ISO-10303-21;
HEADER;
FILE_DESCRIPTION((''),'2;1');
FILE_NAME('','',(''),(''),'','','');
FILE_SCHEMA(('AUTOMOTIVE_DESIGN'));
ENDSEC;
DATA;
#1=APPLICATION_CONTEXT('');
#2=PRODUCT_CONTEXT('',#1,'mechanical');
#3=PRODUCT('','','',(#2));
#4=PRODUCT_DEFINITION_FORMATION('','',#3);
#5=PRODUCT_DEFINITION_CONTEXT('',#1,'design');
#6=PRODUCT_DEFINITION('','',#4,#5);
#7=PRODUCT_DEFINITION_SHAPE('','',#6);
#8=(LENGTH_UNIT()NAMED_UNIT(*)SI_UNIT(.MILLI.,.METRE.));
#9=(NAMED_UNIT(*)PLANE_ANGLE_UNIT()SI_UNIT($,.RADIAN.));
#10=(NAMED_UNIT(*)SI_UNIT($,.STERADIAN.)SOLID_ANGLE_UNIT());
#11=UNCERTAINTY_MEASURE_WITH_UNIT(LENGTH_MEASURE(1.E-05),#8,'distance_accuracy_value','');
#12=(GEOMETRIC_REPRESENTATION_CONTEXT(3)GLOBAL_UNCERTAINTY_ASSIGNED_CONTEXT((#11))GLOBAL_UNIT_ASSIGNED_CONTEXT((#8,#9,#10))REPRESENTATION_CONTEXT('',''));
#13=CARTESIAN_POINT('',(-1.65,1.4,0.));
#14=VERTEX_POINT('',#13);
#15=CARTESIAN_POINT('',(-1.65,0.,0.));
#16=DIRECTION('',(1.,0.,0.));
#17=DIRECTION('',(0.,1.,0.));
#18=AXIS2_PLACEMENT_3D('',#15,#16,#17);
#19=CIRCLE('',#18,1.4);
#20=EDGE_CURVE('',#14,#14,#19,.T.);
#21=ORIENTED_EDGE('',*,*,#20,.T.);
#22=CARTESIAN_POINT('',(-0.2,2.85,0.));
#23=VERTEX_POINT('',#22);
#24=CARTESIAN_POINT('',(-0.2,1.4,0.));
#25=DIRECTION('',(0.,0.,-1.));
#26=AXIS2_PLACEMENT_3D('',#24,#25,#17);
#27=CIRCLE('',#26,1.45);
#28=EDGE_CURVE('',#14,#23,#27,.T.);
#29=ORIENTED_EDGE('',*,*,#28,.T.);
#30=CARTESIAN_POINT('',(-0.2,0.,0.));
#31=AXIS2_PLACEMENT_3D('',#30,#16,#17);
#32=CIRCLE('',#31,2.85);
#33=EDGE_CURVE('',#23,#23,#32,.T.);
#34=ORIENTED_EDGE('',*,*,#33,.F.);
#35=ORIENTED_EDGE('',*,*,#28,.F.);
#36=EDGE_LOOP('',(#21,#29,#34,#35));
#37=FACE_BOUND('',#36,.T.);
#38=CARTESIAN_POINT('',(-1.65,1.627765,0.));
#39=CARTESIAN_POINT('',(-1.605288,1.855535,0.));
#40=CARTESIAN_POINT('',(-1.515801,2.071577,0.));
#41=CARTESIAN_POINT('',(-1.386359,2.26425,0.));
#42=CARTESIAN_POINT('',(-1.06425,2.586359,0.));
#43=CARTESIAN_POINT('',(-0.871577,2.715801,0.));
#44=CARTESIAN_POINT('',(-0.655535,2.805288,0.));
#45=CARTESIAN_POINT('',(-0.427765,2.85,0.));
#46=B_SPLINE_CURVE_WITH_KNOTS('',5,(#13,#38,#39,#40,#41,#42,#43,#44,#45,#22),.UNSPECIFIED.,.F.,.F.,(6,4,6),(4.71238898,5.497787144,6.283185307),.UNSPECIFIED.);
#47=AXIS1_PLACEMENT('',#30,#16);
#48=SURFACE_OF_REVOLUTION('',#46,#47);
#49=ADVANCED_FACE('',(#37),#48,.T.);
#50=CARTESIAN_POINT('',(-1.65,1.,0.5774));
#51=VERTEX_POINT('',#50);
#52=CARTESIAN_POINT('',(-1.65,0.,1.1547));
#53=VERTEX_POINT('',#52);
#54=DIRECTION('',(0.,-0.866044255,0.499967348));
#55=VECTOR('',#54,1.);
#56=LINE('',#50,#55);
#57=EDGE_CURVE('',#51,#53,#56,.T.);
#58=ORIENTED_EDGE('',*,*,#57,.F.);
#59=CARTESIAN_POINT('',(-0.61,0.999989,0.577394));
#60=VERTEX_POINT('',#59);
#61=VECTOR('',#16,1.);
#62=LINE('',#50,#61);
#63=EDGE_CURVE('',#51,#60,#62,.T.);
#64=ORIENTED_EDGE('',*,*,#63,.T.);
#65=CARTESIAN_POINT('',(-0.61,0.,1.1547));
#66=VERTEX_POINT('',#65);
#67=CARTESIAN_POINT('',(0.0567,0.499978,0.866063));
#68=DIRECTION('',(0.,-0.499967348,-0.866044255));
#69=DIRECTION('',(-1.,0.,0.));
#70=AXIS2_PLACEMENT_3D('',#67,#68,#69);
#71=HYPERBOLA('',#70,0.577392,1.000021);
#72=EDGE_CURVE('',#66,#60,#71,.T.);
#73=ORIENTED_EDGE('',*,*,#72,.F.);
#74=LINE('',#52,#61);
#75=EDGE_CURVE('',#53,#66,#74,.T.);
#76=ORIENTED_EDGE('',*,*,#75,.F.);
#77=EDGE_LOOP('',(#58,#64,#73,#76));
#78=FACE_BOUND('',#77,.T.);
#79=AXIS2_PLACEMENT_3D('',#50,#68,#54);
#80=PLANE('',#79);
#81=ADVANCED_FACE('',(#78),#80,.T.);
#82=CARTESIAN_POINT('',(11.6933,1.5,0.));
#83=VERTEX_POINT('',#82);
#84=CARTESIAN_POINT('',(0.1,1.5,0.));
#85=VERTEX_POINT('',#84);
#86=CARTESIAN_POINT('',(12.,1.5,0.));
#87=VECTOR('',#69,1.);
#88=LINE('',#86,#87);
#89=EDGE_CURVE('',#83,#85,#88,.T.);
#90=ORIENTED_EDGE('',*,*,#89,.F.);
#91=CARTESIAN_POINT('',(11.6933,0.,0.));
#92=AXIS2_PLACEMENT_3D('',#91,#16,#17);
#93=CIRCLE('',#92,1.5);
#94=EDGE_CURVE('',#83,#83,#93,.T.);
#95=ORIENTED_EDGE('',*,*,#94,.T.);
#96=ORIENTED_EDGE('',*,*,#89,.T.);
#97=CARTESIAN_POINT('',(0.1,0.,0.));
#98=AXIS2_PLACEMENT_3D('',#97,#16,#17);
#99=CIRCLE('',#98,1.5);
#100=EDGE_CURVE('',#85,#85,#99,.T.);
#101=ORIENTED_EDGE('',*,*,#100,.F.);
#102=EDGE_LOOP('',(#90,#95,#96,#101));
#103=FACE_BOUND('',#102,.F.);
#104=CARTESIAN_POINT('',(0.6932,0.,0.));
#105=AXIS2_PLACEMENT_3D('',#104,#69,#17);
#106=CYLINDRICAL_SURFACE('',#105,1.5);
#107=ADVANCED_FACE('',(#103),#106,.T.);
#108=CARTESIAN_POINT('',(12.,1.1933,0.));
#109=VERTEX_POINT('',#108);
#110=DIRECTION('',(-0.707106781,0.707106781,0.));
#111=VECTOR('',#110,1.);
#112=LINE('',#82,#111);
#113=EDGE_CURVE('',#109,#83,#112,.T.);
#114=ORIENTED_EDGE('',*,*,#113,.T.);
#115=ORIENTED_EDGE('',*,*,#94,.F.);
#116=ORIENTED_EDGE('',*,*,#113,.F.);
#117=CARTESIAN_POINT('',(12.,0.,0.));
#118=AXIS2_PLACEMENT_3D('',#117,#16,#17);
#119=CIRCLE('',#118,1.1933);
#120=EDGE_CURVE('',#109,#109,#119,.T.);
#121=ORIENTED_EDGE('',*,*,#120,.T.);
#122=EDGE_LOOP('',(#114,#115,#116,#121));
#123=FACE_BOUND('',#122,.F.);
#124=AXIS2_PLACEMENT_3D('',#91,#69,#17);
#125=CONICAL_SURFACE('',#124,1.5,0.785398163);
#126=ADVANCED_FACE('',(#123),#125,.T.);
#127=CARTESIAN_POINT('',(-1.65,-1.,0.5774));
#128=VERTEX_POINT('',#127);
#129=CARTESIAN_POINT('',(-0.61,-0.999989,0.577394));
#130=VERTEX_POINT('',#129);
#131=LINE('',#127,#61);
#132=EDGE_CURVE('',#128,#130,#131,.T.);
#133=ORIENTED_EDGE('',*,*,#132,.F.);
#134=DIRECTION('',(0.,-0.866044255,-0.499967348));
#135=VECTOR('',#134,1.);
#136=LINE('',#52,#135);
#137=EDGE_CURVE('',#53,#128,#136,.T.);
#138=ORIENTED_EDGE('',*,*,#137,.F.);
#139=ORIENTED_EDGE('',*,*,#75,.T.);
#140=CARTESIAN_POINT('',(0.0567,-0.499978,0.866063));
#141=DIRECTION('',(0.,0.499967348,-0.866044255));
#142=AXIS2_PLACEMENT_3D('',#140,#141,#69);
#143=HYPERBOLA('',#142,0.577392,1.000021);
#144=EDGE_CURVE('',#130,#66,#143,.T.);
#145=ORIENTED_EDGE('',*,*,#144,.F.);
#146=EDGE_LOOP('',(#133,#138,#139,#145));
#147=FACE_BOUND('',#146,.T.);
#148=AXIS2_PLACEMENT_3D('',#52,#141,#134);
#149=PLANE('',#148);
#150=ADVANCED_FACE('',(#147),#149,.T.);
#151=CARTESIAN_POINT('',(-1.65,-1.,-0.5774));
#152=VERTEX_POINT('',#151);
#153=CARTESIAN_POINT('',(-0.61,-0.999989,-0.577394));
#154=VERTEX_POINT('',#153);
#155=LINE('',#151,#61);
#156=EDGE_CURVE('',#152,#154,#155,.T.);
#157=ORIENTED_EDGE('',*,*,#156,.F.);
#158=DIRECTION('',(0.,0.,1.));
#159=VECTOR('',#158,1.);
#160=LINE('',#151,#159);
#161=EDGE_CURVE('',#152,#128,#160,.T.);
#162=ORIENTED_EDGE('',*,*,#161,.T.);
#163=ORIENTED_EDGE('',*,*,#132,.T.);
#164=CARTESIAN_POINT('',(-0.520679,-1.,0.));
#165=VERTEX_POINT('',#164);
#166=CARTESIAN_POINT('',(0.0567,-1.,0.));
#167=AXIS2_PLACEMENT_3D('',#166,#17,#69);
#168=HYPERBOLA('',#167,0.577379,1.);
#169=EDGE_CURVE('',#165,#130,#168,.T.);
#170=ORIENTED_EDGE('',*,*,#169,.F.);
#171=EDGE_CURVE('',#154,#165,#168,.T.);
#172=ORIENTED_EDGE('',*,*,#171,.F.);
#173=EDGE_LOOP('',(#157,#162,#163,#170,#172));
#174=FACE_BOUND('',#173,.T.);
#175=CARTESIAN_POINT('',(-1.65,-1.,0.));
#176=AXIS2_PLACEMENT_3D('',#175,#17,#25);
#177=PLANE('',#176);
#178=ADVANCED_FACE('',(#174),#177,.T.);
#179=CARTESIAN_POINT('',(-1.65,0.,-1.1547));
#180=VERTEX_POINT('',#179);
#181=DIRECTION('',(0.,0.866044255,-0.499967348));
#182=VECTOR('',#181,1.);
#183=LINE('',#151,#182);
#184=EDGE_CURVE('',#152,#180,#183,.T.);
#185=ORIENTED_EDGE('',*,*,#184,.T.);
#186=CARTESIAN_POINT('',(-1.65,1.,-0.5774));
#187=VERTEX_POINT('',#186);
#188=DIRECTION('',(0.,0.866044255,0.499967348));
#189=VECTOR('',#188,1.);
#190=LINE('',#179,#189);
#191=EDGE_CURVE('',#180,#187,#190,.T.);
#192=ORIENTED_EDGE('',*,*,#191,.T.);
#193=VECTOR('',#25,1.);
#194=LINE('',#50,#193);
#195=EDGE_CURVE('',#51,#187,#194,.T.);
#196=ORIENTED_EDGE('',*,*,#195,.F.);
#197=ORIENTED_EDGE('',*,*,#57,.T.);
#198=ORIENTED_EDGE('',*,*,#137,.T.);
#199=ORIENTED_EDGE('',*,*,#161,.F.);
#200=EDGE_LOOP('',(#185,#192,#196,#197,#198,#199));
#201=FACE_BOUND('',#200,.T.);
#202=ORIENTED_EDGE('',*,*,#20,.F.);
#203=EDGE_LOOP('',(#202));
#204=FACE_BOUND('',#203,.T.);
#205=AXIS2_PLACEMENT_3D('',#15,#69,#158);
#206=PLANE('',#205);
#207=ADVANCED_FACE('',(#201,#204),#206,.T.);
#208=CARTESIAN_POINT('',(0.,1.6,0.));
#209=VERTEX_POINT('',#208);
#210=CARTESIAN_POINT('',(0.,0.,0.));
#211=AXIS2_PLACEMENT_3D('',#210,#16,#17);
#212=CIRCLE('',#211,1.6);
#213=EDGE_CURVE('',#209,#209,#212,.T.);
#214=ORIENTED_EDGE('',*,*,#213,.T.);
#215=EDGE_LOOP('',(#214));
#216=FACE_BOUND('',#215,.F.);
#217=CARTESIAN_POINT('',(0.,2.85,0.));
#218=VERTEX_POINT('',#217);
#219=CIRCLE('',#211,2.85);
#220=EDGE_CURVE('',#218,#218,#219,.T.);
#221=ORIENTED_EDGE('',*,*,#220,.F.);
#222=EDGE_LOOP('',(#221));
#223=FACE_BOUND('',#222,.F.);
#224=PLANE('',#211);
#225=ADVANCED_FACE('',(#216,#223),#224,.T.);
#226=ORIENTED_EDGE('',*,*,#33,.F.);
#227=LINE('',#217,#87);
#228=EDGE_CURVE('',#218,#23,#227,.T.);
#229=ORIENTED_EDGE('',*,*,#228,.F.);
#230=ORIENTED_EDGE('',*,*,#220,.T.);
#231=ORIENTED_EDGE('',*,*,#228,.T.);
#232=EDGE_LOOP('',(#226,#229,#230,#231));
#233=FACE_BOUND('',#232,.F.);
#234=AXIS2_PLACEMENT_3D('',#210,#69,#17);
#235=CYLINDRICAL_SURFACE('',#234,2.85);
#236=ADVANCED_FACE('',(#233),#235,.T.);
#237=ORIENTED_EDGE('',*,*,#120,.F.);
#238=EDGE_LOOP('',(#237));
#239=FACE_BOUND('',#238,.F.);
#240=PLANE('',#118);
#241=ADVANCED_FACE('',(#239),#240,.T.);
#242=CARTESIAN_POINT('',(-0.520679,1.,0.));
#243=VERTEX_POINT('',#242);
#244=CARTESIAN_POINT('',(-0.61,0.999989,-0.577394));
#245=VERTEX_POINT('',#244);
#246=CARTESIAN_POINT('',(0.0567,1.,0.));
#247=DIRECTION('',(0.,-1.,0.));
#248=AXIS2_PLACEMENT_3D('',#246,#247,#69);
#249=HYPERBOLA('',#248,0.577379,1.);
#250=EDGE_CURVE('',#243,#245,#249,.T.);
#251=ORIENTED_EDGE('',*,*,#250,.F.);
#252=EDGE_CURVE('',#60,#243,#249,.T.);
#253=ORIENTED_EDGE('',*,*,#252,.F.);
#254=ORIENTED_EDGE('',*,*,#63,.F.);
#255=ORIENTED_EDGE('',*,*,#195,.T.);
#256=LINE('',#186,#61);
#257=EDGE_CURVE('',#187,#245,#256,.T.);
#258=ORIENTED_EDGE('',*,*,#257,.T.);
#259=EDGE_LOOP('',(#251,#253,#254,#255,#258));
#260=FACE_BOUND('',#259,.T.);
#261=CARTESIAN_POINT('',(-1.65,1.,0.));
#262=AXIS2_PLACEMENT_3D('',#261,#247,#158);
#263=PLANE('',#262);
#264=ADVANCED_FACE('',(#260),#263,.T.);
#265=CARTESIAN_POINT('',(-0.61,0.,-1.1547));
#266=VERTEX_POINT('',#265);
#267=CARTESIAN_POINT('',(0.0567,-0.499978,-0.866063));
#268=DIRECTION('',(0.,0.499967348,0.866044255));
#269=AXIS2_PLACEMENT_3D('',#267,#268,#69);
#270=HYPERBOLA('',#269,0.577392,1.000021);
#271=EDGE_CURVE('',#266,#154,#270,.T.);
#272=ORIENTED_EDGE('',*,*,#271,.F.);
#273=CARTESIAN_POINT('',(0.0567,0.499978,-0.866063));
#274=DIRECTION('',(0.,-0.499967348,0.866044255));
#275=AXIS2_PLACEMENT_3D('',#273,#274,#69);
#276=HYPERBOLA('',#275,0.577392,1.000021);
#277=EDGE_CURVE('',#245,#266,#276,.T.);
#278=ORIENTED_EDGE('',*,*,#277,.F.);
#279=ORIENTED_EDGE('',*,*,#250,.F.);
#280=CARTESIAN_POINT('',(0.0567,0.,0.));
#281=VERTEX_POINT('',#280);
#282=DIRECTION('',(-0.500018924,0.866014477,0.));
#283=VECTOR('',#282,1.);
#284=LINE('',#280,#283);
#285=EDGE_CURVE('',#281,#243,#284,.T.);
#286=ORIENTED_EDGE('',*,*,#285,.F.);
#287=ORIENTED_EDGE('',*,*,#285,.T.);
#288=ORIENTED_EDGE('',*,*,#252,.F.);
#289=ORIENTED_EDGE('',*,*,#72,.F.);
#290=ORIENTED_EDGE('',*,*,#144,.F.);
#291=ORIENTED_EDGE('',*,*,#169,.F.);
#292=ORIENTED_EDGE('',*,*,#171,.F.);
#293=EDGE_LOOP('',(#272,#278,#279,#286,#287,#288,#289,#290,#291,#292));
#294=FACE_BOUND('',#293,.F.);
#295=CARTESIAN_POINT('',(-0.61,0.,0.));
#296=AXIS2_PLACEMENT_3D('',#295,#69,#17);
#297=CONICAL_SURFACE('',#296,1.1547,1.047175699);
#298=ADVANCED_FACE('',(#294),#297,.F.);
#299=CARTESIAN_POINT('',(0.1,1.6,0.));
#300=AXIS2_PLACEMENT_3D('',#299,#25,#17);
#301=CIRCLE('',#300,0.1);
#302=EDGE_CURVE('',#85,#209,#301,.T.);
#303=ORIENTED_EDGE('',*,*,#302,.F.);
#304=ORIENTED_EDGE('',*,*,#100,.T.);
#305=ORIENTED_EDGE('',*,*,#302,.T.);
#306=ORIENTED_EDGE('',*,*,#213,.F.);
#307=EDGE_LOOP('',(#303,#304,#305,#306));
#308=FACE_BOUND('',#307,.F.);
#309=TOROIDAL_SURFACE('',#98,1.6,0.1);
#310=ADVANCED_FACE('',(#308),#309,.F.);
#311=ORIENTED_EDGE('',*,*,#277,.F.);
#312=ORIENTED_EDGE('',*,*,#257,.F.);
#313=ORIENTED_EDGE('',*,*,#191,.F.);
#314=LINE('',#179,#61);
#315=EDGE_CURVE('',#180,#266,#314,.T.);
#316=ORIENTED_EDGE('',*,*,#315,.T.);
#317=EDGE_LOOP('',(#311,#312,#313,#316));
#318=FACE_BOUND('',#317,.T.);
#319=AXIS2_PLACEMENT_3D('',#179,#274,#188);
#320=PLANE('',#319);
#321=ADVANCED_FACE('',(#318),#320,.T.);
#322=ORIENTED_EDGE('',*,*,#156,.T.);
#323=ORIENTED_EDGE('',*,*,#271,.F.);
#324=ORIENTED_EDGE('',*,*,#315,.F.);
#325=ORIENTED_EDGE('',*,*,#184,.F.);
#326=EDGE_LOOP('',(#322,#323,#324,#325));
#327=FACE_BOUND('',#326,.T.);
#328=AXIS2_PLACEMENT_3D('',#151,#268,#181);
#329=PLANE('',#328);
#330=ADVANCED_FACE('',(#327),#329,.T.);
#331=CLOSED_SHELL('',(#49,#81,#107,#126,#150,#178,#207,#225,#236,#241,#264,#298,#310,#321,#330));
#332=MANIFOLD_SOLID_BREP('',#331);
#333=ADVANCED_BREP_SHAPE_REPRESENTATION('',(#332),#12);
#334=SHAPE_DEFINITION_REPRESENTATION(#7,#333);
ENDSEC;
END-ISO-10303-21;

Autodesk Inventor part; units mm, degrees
ref_plane "YZ Plane" through (0, 0, 0) normal (1, 0, 0) x (0, 1, 0)
ref_plane "XZ Plane" through (0, 0, 0) normal (0, 1, 0) x (-1, 0, 0)
sketch "Sketch1" plane through (0, 0, 0) normal (0, 0, 1) x (1, 0, 0)
  line L0 (0.0567, 0) -> (12, 0)
  line L1 (12, 0) -> (12, 1.5)
  line L2 (12, 1.5) -> (1, 1.5)
  line L3 (1, 1.5) -> (0.6932, 1.5)
  line L4 (0.6932, 1.5) -> (0, 1.5)
  line L5 (0, 1.5) -> (0, 2.85)
  line L6 (0, 2.85) -> (-1.65, 2.85)
  line L7 (-1.65, 2.85) -> (-1.65, 1.1547)
  line L8 (-1.65, 1.1547) -> (-0.61, 1.1547)
  line L9 (-0.61, 1.1547) -> (0.0567, 0)
  line L10 (-4.38, 0) -> (14.73, 0) projected
  line L11 (0, -0.57) -> (0, 3.42) projected
  line L12 (1, 1.5) -> (0, 1.5) construction
  dimension "d1" = 11
  dimension "d2" = 0.3068
  dimension "d3" = 1.65
  dimension "d4" = 1.04
  dimension "d5" = 60
  dimension "d6" = 3
  dimension "d7" = 3
  dimension "d8" = 2.3094
  dimension "d9" = 5.7
  dimension "d26" = 12
revolve "Body" add sketch "Sketch1" angle 360 about axis through (0.0567, 0, 0) along (1, 0, 0) contours L9 L11 L4 L3 L2 L1 L0 | L9 L8 L7 L6 L5 L11
sketch "Sketch2" plane through (-1.65, 0, 0) normal (-1, 0, 0) x (0, 0, 1)
  circle A0 centre (0, 0) radius 1.1547 projected
  line L0 (0, -3.99) -> (0, 3.99) projected
  line L1 (-3.99, 0) -> (3.99, 0) projected
  line L2 (1.1547, 0) -> (0.5774, -1)
  line L3 (0.5774, -1) -> (-0.5774, -1)
  line L4 (-0.5774, -1) -> (-1.1547, 0)
  line L5 (-1.1547, 0) -> (-0.5774, 1)
  line L6 (-0.5774, 1) -> (0.5774, 1)
  line L7 (0.5774, 1) -> (1.1547, 0)
extrude "Slot" add sketch "Sketch2" against normal up to next contours L7 A0 | A0 L2 | L6 L0 A0 | A0 L0 L3 | L0 L6 A0 | A0 L3 L0 | L4 A0 | A0 L5
fillet "Fillet1" radius 1.45 1 edges at (-1.65, -2.85, 0)
thread "Thread" size "M3x0.5" designation "M3" class "6g" standard "GB Metric profile" length 11
chamfer "Chamfer1" distance 0.3067 distance2 0.3067 1 edges at (12, -1.5, 0) measured on face at (12, -0.6587, -0.1791)
ref_plane "Work Plane1" through (29, 0, 0) normal (0, -1, 0) x (1, 0, 0)
fillet "Fillet2" radius 0.1 1 edges at (0, -1.5, 0)
equation "\"d1\" = GEL"
equation "\"d3\" = KOH"
equation "\"d4\" = INTI"
equation "\"d6\" = GD"
equation "\"d7\" = BDM"
equation "\"d8\" = 1.1547 * SW"
equation "\"d9\" = KOD"
equation "\"d26\" = NLG"
equation "\"d30\" = R"
equation "\"d17\" = RR"
equation "\"d13\" = GEL"
equation "\"d15\" = -0.5 * SPD + 0.5 * GD"
equation "\"d16\" = GUL"
equation "\"GD\" = 3"
equation "\"NLG\" = 12"
equation "\"GEL\" = 11"
equation "\"KOD\" = 5.7"
equation "\"KOH\" = 1.65"
equation "\"INTI\" = 1.04"
equation "\"GAL\" = 0.61345 * PTC"
equation "\"GUL\" = 0.61345 * PTC"
equation "\"BDM\" = 3"
equation "\"SW\" = 2"
equation "\"RR\" = 1.45"
equation "\"SPD\" = NND - 1.2269 * PTC"
equation "\"R\" = 0.1"
equation "\"TOA\" = 30deg"
equation "\"GD1\" = THREADDIA - 1.2269 * PTC"
equation "\"THREADDIA\" = 3"
equation "\"PTC\" = 0.5"
equation "\"NND\" = 3"
equation "\"KOH1\" = 0.2"
equation "\"E0\" = 2.31"
properties part number "Screw GB/T 70.2 M3 X 12" material "Steel, Mild"
